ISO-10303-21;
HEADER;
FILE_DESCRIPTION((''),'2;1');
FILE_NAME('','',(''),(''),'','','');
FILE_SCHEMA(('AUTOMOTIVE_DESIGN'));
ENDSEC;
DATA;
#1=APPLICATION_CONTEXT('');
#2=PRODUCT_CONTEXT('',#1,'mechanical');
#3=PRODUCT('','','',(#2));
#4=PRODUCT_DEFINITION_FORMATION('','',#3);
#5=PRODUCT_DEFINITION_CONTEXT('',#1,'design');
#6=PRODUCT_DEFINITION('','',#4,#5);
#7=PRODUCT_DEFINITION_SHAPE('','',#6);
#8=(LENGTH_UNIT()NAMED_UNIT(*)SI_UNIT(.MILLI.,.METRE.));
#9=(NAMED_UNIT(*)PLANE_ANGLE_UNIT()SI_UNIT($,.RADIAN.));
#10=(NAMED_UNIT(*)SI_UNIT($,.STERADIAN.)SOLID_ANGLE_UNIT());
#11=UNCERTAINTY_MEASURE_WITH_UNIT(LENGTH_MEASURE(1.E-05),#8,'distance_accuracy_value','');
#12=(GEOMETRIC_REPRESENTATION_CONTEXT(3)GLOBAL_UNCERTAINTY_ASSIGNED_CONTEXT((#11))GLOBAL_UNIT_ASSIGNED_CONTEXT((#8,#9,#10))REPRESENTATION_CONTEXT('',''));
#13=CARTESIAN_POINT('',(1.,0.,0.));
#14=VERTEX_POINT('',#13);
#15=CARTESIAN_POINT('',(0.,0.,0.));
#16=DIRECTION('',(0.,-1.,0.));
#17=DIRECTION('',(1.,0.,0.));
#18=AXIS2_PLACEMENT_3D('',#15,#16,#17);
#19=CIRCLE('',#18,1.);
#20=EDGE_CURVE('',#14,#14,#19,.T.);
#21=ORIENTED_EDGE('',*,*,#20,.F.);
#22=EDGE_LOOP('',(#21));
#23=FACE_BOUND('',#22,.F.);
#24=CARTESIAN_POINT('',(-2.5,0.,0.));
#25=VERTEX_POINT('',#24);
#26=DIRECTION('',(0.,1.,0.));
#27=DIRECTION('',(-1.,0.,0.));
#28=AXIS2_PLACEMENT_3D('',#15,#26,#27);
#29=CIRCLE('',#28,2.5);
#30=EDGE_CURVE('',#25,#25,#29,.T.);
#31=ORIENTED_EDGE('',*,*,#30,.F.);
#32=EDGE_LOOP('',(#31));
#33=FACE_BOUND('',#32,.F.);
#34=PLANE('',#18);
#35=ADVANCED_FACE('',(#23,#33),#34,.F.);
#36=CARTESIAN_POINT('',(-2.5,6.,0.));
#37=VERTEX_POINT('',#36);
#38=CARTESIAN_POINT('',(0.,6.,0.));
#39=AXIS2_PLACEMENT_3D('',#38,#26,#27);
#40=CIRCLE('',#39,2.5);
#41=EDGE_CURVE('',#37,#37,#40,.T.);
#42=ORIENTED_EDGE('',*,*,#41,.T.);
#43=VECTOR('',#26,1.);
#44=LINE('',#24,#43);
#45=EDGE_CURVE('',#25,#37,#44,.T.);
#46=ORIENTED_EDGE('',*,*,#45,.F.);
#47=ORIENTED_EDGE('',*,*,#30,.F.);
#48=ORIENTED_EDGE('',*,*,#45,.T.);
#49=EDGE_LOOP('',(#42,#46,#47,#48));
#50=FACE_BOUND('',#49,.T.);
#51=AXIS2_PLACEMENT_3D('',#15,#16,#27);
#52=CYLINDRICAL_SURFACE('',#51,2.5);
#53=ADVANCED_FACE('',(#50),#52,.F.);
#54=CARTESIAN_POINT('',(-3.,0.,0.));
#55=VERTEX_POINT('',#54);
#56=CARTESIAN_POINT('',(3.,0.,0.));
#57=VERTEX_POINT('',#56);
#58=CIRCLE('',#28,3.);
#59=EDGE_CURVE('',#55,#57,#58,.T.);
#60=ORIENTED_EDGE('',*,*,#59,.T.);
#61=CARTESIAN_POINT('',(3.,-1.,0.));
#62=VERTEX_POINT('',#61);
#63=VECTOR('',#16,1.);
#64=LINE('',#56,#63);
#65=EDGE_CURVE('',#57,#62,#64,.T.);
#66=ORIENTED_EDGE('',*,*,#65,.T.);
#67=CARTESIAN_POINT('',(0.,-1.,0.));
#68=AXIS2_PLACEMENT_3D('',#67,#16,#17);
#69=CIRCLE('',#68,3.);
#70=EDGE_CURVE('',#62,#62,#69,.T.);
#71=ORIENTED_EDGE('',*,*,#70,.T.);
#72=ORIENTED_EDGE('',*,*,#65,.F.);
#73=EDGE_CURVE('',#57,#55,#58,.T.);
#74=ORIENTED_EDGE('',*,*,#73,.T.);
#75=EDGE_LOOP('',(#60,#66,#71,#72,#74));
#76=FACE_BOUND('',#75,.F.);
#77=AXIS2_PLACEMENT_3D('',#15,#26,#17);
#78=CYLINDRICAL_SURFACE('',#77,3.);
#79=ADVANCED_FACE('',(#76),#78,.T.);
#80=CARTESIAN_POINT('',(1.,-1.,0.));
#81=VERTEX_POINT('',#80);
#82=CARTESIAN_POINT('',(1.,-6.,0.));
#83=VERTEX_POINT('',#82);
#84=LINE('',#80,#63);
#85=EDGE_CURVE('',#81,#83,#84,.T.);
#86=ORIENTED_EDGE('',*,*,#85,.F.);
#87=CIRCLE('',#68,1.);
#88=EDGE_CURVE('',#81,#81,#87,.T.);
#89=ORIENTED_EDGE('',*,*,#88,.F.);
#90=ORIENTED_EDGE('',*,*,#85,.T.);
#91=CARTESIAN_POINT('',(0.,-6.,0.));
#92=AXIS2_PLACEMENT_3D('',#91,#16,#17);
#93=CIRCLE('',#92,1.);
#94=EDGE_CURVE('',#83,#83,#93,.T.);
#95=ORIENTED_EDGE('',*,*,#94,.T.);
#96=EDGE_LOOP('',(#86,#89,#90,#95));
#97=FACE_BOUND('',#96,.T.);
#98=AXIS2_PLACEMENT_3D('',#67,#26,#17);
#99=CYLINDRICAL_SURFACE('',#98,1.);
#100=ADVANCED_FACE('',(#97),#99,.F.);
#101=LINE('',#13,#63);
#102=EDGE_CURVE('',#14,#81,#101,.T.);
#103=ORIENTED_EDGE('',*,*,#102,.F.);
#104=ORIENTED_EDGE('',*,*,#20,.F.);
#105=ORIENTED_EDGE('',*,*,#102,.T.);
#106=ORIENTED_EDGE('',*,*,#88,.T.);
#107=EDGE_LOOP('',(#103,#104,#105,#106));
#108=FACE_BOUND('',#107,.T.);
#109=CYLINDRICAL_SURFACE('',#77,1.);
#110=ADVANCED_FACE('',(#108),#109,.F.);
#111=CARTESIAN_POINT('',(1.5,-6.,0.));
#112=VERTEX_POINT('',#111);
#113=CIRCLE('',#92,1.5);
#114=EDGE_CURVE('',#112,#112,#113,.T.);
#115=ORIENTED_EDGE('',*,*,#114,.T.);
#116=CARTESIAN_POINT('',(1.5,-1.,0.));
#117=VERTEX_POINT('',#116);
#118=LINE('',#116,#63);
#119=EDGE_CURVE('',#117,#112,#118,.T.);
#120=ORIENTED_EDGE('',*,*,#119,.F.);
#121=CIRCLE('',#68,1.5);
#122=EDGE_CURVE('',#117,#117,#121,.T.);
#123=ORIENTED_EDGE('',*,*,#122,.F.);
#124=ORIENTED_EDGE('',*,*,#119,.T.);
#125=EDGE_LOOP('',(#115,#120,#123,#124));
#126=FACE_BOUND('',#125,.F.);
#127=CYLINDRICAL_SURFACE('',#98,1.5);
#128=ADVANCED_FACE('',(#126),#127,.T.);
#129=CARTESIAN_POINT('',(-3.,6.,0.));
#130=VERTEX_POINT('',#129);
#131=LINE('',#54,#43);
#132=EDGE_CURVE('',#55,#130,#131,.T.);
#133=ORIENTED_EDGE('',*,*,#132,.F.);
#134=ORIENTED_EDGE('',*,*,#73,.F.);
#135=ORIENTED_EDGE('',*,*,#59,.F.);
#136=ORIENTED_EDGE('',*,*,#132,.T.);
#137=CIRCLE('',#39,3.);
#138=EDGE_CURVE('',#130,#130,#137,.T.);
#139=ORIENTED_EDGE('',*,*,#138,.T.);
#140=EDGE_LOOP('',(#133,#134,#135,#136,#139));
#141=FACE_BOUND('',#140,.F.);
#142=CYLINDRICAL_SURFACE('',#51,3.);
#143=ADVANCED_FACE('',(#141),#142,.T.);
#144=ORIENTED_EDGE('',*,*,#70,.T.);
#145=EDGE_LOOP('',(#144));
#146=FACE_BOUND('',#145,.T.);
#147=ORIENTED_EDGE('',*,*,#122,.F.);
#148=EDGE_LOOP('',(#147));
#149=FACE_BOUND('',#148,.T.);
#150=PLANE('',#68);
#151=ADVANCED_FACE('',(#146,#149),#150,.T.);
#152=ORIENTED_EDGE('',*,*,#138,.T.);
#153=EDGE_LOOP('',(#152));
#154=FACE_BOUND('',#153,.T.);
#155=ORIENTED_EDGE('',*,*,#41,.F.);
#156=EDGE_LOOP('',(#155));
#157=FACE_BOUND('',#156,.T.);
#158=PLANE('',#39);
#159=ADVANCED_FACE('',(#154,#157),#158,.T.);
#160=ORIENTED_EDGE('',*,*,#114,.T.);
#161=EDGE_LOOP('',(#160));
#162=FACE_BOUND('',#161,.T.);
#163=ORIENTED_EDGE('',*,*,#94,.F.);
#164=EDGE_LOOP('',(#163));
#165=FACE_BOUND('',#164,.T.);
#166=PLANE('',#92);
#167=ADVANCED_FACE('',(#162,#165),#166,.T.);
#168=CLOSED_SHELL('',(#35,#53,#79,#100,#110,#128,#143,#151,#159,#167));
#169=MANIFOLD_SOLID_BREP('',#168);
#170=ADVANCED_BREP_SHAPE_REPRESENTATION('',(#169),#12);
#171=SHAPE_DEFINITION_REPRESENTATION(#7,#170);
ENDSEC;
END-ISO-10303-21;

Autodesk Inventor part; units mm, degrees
ref_plane "YZ Plane" through (0, 0, 0) normal (1, 0, 0) x (0, 1, 0)
ref_plane "XZ Plane" through (0, 0, 0) normal (0, 1, 0) x (-1, 0, 0)
ref_plane "XY Plane" through (0, 0, 0) normal (0, 0, 1) x (1, 0, 0)
sketch "Sketch1" plane through (0, 0, 0) normal (0, 1, 0) x (-1, 0, 0)
  circle A0 centre (0, 0) radius 3
  circle A1 centre (0, 0) radius 2.5
  dimension "d0" = 6
  dimension "d1" = 5
extrude "Extrusion1" add sketch "Sketch1" along normal blind 6
sketch "Sketch2" plane through (0, 0, 0) normal (0, -1, 0) x (1, 0, 0)
  circle A0 centre (0, 0) radius 1
  circle A1 centre (0, 0) radius 3
  dimension "d6" = 2
extrude "Extrusion2" add sketch "Sketch2" along normal blind 1
sketch "Sketch3" plane through (0, -1, 0) normal (0, -1, 0) x (1, 0, 0)
  circle A0 centre (0, 0) radius 1.5
  circle A1 centre (0, 0) radius 1
  dimension "d9" = 3
extrude "Extrusion3" add sketch "Sketch3" along normal blind 5
thread "Thread2" size "M3x0.5" class "6g" standard "ISO Metric profile" full length
properties part number "NozzleAttachment"
